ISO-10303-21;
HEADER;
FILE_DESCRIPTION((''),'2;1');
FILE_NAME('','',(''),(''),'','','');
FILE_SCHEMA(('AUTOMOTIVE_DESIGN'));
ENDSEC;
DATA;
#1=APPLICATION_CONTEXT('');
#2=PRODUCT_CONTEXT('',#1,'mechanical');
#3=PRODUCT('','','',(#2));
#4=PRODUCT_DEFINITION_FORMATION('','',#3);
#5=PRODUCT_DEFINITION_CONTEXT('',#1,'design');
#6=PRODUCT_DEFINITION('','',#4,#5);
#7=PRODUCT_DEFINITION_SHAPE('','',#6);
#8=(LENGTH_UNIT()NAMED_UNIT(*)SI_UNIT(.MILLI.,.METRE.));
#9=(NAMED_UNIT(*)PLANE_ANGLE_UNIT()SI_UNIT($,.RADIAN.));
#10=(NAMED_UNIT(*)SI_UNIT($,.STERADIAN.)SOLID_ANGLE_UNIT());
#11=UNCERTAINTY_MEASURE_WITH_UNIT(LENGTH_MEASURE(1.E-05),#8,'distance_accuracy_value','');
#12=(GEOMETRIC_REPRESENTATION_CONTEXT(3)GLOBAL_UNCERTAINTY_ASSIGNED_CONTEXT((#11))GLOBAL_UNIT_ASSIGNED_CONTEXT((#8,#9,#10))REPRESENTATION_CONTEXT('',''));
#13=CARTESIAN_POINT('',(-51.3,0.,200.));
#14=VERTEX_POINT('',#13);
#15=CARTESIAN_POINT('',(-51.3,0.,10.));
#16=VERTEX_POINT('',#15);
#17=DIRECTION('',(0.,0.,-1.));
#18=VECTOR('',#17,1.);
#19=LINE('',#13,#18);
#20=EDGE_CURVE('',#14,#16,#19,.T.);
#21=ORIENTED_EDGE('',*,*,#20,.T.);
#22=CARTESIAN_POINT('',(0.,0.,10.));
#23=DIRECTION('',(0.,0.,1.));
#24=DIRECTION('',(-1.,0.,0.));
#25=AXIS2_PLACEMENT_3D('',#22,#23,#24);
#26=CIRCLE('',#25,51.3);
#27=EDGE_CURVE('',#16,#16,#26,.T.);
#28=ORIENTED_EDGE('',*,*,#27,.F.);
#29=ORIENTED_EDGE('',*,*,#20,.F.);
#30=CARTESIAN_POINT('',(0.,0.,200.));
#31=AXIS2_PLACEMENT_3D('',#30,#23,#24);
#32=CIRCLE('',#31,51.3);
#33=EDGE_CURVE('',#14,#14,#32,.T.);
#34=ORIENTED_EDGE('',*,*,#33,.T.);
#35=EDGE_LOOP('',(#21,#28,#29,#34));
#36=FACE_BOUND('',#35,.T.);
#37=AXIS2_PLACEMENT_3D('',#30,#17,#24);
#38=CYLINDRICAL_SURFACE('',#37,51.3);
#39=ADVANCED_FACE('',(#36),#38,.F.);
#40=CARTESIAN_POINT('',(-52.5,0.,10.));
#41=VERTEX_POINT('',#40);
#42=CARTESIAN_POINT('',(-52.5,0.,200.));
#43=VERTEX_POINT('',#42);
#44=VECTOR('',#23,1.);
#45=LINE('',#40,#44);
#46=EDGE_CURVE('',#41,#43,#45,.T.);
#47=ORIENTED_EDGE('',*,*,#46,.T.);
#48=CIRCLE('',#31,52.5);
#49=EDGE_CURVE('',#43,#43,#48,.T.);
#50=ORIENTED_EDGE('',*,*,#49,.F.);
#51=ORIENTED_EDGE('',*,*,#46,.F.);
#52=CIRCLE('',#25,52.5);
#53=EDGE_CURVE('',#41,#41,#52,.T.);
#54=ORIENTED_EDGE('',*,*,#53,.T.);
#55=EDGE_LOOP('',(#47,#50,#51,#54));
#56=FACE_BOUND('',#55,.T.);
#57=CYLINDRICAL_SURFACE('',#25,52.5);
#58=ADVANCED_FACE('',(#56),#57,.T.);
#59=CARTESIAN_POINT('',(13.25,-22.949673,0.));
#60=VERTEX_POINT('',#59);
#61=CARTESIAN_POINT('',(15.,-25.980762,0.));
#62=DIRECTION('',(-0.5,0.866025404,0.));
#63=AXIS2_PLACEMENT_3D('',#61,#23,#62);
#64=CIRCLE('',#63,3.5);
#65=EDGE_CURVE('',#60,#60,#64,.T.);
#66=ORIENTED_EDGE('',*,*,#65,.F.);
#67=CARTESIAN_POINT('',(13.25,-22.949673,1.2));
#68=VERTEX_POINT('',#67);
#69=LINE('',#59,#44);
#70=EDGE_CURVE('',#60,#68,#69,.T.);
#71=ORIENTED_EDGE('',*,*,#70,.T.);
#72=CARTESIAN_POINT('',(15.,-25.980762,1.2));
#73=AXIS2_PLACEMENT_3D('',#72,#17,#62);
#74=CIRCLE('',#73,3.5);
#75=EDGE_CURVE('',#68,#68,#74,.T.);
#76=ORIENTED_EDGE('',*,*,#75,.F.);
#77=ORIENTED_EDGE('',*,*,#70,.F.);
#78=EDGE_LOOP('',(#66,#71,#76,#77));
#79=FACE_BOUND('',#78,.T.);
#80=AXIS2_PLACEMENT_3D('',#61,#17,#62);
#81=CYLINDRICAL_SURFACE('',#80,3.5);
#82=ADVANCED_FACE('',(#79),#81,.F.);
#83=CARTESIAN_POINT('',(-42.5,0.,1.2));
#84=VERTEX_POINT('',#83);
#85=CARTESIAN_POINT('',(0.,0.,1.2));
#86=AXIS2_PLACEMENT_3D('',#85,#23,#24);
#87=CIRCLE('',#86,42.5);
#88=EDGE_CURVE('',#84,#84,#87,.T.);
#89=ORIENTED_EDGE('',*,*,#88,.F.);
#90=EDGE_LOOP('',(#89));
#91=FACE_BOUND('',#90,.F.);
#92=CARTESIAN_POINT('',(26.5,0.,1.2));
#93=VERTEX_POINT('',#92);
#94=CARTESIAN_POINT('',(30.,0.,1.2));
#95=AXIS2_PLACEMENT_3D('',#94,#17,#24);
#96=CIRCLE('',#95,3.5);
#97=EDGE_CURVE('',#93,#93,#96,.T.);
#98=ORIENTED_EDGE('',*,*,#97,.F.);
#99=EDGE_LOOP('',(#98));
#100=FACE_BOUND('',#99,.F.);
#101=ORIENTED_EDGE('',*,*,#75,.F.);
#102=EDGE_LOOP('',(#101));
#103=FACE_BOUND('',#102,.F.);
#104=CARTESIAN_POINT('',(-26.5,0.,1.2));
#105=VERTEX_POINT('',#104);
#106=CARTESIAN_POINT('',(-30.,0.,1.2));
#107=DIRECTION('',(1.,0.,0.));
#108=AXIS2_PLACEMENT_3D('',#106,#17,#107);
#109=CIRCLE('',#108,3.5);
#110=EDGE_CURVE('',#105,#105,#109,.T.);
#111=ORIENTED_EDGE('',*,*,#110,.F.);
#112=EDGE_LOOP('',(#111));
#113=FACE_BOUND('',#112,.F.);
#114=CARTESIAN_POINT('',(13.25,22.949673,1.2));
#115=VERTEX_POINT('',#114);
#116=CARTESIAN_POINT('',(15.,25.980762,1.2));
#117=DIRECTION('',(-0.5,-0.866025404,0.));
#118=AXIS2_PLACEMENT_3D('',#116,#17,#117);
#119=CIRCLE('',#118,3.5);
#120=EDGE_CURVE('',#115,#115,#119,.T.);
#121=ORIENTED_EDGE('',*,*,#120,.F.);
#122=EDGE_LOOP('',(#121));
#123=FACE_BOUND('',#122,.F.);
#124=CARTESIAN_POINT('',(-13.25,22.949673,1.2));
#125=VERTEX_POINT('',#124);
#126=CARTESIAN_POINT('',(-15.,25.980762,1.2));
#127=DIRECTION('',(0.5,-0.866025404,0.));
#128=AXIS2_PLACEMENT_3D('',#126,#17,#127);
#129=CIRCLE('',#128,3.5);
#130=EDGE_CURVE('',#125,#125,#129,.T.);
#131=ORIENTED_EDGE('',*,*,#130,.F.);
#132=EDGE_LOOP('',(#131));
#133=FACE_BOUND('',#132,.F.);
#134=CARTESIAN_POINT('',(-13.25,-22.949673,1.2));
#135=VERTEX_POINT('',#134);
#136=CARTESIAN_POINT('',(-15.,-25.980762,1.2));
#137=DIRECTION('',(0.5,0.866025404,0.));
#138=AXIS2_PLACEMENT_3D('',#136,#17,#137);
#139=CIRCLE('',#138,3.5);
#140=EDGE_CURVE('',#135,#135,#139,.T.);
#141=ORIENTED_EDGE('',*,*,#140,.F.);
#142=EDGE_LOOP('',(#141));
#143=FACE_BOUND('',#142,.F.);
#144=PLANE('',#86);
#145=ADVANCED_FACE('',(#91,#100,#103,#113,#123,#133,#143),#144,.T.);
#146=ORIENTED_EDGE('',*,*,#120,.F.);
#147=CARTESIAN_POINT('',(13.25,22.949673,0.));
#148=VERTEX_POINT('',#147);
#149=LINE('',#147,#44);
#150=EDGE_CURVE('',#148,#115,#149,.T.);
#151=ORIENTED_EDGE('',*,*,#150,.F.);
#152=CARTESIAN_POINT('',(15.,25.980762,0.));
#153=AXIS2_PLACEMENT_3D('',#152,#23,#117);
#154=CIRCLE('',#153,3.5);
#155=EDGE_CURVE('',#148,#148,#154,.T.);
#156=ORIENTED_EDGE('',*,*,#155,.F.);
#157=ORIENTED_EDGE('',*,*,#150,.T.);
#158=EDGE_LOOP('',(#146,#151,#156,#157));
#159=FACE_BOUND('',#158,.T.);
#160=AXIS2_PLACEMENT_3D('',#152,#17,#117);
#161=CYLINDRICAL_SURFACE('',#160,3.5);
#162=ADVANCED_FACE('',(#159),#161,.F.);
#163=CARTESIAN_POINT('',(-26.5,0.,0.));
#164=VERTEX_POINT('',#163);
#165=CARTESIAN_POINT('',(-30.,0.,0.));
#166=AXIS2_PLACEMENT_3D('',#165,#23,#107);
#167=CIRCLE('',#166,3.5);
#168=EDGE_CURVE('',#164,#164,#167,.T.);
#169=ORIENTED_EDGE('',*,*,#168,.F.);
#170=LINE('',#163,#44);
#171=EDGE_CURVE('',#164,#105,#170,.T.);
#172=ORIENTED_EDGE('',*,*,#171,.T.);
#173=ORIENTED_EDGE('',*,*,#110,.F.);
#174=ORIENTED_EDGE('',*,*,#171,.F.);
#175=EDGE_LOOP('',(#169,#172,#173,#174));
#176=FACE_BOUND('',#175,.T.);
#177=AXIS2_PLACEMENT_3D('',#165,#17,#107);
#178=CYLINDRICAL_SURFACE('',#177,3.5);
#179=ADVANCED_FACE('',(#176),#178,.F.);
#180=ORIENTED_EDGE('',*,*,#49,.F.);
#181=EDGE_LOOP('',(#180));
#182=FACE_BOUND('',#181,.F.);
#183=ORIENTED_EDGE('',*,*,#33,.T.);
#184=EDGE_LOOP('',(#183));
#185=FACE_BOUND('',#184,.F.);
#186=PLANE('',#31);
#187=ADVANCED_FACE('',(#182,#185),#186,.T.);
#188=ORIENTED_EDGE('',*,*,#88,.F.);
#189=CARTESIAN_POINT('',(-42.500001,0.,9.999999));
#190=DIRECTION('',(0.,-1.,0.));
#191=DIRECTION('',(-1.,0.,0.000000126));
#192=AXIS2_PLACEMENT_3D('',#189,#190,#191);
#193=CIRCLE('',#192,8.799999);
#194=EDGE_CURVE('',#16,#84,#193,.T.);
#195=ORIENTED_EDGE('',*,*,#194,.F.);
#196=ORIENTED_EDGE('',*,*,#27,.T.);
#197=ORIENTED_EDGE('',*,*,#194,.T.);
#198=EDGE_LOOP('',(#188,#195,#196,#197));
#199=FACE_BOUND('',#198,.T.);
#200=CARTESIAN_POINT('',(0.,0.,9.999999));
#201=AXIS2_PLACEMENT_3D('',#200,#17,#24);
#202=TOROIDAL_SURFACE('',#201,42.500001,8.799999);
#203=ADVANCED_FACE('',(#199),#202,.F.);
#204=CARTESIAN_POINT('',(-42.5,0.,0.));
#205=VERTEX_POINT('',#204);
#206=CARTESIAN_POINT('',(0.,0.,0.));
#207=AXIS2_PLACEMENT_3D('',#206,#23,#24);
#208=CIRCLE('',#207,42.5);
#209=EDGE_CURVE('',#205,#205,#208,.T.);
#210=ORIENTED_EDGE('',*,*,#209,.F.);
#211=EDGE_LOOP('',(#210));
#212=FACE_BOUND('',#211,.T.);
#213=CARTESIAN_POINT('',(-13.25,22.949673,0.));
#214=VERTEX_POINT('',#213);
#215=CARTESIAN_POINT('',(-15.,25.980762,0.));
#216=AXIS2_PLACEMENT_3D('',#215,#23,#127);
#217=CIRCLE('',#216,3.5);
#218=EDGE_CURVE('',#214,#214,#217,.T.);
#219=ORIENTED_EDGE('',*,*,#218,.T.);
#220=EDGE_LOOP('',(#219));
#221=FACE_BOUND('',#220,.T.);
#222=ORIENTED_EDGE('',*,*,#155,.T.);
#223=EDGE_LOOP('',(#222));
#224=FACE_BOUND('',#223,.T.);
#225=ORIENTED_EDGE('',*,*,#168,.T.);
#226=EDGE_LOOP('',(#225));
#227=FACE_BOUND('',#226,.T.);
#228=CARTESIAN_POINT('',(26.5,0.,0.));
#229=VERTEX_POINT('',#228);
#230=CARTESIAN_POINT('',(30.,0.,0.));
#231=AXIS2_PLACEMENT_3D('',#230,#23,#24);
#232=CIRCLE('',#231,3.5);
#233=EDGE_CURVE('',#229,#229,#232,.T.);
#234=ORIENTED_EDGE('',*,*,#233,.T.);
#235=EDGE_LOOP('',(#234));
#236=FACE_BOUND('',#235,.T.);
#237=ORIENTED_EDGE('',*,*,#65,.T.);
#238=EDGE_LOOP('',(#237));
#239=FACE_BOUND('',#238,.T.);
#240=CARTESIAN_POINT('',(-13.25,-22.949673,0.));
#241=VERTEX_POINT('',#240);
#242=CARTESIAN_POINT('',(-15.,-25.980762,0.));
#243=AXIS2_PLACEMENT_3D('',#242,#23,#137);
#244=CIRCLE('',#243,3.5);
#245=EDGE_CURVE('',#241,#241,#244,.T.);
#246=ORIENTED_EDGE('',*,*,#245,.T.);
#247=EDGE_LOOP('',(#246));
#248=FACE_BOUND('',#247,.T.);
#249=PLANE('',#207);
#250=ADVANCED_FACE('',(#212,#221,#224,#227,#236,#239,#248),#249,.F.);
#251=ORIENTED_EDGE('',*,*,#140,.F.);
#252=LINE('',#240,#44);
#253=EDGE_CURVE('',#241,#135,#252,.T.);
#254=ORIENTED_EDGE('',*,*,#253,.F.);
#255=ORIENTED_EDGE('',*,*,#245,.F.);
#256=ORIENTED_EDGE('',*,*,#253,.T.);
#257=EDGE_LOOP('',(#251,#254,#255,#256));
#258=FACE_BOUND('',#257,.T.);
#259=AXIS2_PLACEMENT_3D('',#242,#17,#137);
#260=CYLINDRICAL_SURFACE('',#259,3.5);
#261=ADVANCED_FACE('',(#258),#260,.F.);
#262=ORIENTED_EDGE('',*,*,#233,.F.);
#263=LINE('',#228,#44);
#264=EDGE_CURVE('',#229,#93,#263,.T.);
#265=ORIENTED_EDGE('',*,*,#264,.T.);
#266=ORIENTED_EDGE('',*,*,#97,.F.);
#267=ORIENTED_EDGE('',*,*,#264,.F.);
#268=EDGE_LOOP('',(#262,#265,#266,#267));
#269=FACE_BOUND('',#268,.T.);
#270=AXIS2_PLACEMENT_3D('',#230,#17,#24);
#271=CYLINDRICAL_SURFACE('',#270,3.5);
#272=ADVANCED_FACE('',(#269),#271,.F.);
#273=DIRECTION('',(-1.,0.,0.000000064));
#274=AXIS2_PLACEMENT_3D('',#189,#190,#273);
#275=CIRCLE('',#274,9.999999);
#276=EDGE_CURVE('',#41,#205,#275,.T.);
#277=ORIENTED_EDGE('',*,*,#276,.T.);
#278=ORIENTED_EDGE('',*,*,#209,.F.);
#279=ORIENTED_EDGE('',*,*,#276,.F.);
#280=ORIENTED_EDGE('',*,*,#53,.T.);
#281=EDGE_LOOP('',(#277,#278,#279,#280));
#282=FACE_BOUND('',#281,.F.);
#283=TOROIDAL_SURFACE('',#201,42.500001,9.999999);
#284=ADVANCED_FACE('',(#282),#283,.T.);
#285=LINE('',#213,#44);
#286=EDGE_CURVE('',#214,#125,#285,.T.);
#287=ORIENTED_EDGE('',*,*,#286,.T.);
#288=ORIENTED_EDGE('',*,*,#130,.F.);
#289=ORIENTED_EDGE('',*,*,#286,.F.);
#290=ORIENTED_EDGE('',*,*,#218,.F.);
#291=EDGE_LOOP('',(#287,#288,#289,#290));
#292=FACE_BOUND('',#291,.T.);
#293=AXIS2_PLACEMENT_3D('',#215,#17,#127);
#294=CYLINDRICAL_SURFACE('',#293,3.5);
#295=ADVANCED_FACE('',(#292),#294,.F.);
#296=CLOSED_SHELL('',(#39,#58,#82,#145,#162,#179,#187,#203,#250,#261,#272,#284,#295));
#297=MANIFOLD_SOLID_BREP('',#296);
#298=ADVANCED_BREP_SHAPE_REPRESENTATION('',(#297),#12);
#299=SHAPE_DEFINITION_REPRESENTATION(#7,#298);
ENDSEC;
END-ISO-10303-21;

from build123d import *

# Parameters (mm, degrees)
SKETCH001_R        = 3.5
POCKET_DEPTH       = 698.197748
POLARPATTERN_COUNT = 6


with BuildPart() as part:
    # Sketch → Revolution (revolve)
    with BuildSketch(Plane.XZ):
        with BuildLine():
            Line((0, 0), (-42.5, 0))
            ThreePointArc((-52.5, 10), (-49.571068, 2.928932), (-42.5, 0))
            Line((-52.5, 10), (-52.5, 200))
            Line((-51.3, 200), (-52.5, 200))
            Line((-51.3, 200), (-51.3, 10))
            ThreePointArc((-51.3, 10), (-48.72254, 3.77746), (-42.5, 1.2))
            Line((0, 1.2), (-42.5, 1.2))
            Line((0, 1.2), (0, 0))
        make_face()
    revolve(axis=Axis((0, 0, 0), (0, 0, 1)))

    # Sketch001 → Pocket (cut, through all)
    with BuildSketch(Plane.XY):
        with Locations((-30, 0)):
            Circle(SKETCH001_R)
    pocket = extrude(amount=POCKET_DEPTH, mode=Mode.SUBTRACT)

    # PolarPattern: Pocket ×6 about axis
    polarpattern_axis = Axis((0, 0, 0), (0, 0, 1))
    for i in range(1, POLARPATTERN_COUNT):
        add(pocket.rotate(polarpattern_axis, i * 360 / POLARPATTERN_COUNT), mode=Mode.SUBTRACT)


solid = part.part
